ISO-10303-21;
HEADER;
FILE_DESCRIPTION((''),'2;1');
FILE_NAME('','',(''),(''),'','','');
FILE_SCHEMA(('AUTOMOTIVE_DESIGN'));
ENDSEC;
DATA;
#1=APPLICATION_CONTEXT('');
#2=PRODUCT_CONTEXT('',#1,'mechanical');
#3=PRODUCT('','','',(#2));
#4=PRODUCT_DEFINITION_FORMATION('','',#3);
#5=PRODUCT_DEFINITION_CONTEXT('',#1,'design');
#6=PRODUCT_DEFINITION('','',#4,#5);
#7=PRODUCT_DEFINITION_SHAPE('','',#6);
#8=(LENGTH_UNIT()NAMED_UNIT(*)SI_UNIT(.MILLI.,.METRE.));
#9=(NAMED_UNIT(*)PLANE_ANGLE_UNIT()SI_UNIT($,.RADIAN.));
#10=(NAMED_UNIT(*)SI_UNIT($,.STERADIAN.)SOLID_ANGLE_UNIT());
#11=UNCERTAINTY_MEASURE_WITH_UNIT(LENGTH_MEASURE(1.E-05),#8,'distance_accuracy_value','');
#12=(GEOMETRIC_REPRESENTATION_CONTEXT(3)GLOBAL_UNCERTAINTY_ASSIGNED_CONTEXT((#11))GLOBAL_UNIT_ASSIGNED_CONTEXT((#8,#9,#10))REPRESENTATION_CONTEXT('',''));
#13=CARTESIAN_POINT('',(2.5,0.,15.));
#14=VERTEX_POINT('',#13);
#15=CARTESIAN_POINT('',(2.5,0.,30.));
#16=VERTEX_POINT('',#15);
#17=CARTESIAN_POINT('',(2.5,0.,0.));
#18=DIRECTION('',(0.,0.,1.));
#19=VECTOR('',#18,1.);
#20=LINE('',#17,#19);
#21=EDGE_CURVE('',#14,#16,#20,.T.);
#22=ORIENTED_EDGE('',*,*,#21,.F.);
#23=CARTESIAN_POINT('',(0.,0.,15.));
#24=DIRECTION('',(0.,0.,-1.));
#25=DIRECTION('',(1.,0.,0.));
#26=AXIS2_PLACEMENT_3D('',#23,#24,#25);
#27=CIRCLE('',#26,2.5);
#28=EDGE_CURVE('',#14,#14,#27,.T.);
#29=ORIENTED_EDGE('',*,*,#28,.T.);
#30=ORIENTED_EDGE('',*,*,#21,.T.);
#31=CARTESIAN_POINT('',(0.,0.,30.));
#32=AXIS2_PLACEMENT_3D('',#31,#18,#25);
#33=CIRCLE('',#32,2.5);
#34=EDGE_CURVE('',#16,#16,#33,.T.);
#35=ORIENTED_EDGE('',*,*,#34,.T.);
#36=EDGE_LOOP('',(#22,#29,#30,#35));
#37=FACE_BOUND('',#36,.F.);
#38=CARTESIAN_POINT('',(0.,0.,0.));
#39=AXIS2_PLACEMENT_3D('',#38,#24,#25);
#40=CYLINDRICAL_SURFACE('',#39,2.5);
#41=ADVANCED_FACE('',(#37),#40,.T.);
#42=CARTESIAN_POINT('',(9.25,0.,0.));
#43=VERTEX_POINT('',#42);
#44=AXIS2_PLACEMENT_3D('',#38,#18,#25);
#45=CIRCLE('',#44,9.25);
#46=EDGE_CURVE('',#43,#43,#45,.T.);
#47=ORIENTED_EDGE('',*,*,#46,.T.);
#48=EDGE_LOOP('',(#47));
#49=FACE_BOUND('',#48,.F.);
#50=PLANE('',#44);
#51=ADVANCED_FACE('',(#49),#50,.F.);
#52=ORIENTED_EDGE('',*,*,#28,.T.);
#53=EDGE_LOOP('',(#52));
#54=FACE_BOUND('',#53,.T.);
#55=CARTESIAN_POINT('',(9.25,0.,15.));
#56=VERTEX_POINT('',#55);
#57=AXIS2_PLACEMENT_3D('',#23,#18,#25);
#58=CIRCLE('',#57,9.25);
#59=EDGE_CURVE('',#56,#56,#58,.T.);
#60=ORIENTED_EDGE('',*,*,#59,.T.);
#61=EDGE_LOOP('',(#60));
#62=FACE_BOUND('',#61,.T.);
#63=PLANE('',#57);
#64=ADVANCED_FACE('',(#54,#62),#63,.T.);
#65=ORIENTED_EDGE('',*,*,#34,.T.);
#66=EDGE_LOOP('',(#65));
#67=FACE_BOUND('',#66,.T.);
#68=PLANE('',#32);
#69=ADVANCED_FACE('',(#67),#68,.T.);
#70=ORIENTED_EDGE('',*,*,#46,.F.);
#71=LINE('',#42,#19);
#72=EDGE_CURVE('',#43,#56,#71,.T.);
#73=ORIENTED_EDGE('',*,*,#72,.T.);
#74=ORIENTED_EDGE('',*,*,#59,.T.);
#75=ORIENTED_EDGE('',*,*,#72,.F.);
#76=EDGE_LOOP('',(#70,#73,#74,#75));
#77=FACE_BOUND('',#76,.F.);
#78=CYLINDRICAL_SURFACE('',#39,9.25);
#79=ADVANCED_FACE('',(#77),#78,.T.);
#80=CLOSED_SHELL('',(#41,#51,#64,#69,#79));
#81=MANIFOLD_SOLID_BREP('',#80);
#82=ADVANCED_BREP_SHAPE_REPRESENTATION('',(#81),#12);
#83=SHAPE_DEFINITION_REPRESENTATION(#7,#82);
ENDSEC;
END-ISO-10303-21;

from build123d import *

# Parameters (mm, degrees)
SKETCH001_R  = 2.5
PAD001_DEPTH = 30
SKETCH_R     = 9.25
PAD_DEPTH    = 15


with BuildPart() as pad001:
    # Sketch001 → Pad001 (new body)
    with BuildSketch(Plane.XY):
        Circle(SKETCH001_R)
    extrude(amount=PAD001_DEPTH)


with BuildPart() as fusion:
    # Sketch → Pad (new body)
    with BuildSketch(Plane.XY):
        Circle(SKETCH_R)
    extrude(amount=PAD_DEPTH)

    # Fusion: union Pad001
    add(pad001.part)


solid = fusion.part
